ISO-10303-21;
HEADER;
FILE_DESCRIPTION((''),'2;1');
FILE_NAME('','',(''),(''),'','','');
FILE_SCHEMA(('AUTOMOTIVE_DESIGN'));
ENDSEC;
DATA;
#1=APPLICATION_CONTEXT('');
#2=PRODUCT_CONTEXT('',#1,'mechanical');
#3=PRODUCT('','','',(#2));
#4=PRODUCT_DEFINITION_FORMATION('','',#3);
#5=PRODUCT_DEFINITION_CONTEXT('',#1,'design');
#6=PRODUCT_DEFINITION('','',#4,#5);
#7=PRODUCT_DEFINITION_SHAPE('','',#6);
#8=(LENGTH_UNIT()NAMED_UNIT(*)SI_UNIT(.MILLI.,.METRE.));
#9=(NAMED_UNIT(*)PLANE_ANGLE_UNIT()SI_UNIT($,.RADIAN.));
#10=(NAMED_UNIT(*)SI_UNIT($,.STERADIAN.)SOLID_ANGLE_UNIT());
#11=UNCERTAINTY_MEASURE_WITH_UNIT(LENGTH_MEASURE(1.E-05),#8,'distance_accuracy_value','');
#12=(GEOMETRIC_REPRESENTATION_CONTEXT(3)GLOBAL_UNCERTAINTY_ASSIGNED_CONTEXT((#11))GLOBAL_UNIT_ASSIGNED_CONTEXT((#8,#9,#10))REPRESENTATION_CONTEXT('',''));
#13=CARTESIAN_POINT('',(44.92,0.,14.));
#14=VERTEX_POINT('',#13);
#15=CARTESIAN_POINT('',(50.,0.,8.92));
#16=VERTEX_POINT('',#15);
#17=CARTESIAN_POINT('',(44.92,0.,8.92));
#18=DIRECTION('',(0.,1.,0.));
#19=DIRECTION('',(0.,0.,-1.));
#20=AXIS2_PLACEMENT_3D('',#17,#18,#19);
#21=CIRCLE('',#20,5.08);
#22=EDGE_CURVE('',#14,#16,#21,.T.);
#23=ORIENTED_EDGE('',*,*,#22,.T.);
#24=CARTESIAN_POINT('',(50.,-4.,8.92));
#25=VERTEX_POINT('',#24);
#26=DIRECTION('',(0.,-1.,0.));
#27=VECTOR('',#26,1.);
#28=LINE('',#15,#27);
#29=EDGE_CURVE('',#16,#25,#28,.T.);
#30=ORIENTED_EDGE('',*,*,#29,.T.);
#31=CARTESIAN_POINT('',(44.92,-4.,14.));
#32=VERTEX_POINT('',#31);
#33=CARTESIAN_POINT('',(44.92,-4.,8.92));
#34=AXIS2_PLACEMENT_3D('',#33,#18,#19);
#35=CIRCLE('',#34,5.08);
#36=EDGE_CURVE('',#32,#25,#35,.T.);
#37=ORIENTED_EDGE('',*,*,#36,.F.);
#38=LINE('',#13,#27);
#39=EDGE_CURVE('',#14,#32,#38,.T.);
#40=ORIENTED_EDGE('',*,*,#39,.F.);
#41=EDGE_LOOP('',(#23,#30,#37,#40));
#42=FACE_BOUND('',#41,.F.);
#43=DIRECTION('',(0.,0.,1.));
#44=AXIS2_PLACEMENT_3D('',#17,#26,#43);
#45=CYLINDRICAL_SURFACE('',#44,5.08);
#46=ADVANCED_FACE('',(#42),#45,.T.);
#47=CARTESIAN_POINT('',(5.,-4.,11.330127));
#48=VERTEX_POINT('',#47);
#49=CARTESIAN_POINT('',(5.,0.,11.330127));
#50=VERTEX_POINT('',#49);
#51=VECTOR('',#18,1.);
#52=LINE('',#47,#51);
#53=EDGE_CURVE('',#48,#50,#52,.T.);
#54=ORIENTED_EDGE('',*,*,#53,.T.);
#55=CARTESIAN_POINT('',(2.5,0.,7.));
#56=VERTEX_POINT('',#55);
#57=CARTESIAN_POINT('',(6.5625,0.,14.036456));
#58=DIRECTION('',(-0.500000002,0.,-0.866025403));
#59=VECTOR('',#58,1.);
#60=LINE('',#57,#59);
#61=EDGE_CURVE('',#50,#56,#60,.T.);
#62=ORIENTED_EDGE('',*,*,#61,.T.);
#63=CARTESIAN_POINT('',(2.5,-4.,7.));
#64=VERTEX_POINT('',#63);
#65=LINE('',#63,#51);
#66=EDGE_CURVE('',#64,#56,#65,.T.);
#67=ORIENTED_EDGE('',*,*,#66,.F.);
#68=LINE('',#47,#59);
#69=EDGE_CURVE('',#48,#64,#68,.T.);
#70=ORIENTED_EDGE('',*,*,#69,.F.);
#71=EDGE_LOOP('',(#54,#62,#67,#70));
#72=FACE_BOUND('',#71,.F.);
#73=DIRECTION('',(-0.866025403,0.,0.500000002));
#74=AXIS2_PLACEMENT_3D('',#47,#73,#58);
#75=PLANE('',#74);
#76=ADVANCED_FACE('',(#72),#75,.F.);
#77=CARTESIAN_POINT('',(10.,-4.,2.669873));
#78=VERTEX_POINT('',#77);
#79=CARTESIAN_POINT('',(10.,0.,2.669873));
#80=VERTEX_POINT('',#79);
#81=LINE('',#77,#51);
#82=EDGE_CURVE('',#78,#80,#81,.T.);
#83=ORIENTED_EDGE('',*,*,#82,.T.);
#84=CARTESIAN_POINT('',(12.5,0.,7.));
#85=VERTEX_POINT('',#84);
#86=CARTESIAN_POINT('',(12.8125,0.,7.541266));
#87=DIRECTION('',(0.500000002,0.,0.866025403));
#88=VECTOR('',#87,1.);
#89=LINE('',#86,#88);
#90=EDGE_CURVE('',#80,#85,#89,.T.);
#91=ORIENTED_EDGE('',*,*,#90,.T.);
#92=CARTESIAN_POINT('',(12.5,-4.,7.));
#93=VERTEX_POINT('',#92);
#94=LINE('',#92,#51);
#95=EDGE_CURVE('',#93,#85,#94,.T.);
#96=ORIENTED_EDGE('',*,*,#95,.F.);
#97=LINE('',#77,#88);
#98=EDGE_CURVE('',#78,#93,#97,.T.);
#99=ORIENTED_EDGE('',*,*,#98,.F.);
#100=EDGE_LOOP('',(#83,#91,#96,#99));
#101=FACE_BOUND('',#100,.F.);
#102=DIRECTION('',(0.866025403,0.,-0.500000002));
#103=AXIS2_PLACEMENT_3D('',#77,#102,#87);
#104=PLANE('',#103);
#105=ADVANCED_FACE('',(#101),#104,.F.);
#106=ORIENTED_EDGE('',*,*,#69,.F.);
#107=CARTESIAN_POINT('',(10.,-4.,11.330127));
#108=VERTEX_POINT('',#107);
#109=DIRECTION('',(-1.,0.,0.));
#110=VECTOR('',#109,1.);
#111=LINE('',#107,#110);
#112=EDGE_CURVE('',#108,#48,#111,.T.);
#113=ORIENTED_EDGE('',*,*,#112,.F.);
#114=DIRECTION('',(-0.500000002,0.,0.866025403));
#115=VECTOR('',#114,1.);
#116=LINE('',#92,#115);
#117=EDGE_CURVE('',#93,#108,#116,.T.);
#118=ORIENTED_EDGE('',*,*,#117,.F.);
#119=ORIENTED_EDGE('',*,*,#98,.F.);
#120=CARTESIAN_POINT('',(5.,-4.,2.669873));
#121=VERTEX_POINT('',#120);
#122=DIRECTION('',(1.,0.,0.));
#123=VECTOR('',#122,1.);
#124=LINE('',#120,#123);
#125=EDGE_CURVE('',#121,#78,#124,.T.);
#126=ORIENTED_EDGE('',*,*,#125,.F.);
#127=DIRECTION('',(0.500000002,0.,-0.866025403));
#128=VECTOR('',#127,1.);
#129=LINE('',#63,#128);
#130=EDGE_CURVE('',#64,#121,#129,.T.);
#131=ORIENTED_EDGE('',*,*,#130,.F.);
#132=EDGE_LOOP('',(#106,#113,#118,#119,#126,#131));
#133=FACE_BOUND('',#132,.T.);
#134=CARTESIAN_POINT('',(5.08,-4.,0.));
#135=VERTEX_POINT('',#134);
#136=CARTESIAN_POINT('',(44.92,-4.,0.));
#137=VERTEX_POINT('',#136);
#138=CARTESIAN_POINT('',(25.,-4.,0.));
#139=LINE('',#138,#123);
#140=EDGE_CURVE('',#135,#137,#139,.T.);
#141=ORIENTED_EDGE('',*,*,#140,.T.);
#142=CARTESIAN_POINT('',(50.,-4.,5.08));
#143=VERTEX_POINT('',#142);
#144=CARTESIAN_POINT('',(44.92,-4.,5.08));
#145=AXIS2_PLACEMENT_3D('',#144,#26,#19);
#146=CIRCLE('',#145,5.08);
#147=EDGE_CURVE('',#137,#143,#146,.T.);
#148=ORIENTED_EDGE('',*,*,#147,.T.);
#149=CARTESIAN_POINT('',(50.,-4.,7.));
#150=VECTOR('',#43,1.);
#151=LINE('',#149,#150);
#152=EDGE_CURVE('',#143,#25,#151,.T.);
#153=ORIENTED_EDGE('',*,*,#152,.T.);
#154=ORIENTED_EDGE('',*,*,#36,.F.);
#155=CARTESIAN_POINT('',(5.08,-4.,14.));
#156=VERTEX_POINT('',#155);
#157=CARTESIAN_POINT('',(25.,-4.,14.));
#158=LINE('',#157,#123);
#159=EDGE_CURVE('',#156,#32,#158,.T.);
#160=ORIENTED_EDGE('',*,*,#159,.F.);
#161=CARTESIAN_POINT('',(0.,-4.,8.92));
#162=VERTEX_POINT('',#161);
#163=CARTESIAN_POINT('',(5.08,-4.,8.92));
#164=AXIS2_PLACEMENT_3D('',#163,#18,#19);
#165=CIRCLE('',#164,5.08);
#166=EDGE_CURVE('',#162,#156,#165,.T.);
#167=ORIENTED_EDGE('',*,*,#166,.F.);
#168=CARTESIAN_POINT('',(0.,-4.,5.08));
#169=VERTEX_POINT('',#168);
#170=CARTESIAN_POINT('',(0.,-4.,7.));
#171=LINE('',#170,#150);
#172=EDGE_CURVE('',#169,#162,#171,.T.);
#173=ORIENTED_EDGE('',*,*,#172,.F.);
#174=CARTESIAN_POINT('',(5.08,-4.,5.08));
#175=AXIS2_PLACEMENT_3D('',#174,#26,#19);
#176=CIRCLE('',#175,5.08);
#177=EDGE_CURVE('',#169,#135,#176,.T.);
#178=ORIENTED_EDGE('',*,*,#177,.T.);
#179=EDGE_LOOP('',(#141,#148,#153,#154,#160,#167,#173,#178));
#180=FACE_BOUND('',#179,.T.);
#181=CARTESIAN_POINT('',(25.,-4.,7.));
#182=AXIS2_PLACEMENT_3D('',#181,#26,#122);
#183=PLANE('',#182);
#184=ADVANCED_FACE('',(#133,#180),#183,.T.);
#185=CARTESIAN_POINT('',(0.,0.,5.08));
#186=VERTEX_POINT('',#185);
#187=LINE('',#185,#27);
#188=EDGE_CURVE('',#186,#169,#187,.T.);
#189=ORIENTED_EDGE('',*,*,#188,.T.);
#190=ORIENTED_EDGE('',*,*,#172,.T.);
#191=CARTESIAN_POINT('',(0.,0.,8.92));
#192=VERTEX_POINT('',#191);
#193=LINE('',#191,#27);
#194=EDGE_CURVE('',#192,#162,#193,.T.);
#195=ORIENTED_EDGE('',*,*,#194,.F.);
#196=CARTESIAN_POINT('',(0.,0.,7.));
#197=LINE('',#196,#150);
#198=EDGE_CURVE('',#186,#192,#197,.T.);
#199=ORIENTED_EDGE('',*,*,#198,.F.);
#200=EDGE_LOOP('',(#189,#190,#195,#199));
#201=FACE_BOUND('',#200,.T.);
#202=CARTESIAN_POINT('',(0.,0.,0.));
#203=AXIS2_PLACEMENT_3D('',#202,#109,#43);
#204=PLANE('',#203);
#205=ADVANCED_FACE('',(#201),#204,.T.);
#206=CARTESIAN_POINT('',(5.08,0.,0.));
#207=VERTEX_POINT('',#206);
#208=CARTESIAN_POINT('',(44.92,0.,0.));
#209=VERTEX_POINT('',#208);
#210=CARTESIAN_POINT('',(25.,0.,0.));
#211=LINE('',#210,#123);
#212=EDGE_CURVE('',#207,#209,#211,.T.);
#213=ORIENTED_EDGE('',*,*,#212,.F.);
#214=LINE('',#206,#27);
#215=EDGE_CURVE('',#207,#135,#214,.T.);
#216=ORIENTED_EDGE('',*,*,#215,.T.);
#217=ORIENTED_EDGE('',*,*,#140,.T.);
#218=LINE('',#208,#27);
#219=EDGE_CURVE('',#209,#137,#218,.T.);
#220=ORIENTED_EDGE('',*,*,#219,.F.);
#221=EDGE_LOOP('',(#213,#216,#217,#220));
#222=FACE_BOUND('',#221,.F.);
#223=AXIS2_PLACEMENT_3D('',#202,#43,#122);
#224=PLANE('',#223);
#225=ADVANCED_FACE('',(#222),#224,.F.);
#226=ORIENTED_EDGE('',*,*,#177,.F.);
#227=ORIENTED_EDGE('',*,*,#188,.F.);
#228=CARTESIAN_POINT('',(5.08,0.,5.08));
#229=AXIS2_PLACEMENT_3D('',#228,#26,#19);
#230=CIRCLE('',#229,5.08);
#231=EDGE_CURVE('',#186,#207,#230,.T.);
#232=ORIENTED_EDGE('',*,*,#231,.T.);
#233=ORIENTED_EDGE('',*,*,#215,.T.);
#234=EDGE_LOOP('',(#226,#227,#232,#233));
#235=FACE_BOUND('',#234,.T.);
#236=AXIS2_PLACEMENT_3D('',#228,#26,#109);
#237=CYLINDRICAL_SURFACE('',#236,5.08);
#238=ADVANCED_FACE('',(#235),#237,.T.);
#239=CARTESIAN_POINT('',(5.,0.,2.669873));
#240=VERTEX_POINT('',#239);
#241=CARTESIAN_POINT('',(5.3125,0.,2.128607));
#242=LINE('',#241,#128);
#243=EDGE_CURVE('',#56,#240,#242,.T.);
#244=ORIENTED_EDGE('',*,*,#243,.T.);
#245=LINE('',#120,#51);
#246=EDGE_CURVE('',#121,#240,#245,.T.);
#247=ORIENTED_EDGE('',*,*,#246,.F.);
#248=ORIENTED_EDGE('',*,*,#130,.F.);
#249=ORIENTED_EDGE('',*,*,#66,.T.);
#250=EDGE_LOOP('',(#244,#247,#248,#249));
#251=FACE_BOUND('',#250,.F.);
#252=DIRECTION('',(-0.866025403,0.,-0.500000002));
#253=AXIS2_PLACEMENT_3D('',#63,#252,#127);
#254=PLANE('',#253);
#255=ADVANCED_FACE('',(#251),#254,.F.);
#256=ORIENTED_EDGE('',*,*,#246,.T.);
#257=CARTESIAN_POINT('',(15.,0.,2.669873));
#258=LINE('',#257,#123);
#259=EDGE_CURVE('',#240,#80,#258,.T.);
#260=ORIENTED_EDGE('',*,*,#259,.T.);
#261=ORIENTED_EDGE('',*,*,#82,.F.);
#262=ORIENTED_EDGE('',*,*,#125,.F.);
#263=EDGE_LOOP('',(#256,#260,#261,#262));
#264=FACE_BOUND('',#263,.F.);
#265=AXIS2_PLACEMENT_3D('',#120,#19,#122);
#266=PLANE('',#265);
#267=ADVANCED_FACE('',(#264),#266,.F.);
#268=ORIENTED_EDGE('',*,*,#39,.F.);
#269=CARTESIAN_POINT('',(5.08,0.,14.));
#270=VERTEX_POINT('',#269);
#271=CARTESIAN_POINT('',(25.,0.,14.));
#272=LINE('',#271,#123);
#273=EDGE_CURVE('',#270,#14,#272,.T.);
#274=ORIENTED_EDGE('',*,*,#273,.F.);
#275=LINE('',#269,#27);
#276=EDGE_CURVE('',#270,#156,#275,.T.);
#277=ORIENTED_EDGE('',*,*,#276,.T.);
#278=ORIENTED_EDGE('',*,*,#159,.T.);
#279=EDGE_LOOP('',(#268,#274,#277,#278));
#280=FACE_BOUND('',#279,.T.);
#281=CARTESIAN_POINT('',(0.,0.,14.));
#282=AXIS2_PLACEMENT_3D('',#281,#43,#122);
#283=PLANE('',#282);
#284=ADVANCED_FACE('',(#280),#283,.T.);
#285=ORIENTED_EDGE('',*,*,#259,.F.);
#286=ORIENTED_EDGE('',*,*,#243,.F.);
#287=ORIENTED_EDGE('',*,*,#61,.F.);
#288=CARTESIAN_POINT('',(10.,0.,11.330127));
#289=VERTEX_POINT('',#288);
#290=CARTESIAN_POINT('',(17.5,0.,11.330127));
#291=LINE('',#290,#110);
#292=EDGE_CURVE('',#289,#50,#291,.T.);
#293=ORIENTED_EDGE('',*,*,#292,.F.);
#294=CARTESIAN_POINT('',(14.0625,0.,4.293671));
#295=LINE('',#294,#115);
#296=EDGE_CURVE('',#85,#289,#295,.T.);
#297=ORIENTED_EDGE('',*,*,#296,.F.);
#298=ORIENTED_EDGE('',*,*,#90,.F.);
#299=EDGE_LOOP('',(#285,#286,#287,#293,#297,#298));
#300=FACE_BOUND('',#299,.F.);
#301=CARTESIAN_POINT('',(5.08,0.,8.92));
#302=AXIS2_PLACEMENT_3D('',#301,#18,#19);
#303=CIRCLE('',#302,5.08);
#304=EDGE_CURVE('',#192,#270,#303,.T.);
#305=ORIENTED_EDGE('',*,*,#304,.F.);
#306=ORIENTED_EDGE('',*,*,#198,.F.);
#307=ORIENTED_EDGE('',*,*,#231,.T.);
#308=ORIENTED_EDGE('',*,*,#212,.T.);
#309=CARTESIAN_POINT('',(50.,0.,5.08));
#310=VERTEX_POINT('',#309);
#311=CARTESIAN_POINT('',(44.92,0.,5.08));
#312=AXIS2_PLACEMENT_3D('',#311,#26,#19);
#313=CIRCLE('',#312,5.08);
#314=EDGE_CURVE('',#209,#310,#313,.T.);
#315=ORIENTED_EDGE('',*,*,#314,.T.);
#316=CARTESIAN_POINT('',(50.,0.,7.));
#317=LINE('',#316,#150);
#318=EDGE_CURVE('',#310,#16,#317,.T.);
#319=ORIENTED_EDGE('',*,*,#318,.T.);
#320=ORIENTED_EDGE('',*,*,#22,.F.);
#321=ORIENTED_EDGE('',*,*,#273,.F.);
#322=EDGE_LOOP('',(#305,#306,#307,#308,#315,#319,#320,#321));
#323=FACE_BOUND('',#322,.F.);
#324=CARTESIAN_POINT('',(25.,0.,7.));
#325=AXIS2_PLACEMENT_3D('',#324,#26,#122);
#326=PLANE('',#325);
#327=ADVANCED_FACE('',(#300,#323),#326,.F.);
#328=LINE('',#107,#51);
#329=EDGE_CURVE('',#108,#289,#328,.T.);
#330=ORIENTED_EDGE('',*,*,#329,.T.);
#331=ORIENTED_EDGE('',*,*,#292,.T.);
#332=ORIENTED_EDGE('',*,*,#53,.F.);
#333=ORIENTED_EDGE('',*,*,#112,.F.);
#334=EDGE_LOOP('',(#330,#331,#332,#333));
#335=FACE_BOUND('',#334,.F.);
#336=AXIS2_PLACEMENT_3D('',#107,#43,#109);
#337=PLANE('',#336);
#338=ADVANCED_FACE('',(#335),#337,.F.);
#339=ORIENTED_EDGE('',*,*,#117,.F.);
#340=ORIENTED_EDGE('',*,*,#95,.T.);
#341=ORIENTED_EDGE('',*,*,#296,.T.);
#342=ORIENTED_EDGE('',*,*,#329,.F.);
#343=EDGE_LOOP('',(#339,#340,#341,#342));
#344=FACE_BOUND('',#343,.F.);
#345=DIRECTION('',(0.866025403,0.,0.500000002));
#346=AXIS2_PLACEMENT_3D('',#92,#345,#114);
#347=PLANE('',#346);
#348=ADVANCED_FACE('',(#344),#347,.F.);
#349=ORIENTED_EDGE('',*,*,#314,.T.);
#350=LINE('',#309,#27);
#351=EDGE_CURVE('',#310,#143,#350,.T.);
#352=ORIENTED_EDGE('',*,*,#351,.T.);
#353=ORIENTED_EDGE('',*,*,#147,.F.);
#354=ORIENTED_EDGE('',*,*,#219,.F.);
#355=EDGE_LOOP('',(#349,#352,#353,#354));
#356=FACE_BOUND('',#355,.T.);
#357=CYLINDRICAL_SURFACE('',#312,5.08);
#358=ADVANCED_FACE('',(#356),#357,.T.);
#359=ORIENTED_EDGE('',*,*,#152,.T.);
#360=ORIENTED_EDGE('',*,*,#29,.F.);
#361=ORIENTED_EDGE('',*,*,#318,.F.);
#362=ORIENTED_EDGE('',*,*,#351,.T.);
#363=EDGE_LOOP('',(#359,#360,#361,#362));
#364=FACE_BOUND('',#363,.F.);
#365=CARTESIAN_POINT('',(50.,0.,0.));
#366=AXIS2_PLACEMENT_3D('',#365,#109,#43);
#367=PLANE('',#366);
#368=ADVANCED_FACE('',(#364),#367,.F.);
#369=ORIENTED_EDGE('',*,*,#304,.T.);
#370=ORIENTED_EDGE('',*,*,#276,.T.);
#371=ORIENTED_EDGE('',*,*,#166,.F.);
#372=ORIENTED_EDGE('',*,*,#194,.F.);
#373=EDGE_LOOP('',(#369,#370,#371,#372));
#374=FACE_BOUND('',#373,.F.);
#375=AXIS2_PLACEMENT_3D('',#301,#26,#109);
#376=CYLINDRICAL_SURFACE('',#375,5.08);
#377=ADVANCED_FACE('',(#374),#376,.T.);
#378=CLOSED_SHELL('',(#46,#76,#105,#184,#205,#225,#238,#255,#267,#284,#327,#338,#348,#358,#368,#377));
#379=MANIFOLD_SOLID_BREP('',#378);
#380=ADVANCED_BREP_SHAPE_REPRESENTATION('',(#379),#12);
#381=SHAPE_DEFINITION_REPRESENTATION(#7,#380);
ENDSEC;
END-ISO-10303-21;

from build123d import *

# Parameters (mm, degrees)
F0_W     = 50
F0_H     = 14
F1_DEPTH = 4
F3_DEPTH = 4.001
F4_R     = 5.08


with BuildPart() as f1:
    # F0 (on Front) → F1 (new body)
    with BuildSketch(Plane.XZ):
        with Locations((25, 7)):
            Rectangle(F0_W, F0_H)
    extrude(amount=F1_DEPTH)

    # F2 (on face) → F3 (cut, through all)
    with BuildSketch(Plane.XZ.offset(4)):
        Polygon((12.5, 7), (10, 11.330127), (5, 11.330127), (2.5, 7), (5, 2.669873), (10, 2.669873), align=None)
    extrude(amount=-F3_DEPTH, mode=Mode.SUBTRACT)

    # F4
    f4_edges = [f1.edges().sort_by_distance(p)[0] for p in [
        (0, -2, 14),
        (50, -2, 14),
        (50, -2, 0),
        (0, -2, 0),
    ]]
    fillet(f4_edges, radius=F4_R)


solid = f1.part
